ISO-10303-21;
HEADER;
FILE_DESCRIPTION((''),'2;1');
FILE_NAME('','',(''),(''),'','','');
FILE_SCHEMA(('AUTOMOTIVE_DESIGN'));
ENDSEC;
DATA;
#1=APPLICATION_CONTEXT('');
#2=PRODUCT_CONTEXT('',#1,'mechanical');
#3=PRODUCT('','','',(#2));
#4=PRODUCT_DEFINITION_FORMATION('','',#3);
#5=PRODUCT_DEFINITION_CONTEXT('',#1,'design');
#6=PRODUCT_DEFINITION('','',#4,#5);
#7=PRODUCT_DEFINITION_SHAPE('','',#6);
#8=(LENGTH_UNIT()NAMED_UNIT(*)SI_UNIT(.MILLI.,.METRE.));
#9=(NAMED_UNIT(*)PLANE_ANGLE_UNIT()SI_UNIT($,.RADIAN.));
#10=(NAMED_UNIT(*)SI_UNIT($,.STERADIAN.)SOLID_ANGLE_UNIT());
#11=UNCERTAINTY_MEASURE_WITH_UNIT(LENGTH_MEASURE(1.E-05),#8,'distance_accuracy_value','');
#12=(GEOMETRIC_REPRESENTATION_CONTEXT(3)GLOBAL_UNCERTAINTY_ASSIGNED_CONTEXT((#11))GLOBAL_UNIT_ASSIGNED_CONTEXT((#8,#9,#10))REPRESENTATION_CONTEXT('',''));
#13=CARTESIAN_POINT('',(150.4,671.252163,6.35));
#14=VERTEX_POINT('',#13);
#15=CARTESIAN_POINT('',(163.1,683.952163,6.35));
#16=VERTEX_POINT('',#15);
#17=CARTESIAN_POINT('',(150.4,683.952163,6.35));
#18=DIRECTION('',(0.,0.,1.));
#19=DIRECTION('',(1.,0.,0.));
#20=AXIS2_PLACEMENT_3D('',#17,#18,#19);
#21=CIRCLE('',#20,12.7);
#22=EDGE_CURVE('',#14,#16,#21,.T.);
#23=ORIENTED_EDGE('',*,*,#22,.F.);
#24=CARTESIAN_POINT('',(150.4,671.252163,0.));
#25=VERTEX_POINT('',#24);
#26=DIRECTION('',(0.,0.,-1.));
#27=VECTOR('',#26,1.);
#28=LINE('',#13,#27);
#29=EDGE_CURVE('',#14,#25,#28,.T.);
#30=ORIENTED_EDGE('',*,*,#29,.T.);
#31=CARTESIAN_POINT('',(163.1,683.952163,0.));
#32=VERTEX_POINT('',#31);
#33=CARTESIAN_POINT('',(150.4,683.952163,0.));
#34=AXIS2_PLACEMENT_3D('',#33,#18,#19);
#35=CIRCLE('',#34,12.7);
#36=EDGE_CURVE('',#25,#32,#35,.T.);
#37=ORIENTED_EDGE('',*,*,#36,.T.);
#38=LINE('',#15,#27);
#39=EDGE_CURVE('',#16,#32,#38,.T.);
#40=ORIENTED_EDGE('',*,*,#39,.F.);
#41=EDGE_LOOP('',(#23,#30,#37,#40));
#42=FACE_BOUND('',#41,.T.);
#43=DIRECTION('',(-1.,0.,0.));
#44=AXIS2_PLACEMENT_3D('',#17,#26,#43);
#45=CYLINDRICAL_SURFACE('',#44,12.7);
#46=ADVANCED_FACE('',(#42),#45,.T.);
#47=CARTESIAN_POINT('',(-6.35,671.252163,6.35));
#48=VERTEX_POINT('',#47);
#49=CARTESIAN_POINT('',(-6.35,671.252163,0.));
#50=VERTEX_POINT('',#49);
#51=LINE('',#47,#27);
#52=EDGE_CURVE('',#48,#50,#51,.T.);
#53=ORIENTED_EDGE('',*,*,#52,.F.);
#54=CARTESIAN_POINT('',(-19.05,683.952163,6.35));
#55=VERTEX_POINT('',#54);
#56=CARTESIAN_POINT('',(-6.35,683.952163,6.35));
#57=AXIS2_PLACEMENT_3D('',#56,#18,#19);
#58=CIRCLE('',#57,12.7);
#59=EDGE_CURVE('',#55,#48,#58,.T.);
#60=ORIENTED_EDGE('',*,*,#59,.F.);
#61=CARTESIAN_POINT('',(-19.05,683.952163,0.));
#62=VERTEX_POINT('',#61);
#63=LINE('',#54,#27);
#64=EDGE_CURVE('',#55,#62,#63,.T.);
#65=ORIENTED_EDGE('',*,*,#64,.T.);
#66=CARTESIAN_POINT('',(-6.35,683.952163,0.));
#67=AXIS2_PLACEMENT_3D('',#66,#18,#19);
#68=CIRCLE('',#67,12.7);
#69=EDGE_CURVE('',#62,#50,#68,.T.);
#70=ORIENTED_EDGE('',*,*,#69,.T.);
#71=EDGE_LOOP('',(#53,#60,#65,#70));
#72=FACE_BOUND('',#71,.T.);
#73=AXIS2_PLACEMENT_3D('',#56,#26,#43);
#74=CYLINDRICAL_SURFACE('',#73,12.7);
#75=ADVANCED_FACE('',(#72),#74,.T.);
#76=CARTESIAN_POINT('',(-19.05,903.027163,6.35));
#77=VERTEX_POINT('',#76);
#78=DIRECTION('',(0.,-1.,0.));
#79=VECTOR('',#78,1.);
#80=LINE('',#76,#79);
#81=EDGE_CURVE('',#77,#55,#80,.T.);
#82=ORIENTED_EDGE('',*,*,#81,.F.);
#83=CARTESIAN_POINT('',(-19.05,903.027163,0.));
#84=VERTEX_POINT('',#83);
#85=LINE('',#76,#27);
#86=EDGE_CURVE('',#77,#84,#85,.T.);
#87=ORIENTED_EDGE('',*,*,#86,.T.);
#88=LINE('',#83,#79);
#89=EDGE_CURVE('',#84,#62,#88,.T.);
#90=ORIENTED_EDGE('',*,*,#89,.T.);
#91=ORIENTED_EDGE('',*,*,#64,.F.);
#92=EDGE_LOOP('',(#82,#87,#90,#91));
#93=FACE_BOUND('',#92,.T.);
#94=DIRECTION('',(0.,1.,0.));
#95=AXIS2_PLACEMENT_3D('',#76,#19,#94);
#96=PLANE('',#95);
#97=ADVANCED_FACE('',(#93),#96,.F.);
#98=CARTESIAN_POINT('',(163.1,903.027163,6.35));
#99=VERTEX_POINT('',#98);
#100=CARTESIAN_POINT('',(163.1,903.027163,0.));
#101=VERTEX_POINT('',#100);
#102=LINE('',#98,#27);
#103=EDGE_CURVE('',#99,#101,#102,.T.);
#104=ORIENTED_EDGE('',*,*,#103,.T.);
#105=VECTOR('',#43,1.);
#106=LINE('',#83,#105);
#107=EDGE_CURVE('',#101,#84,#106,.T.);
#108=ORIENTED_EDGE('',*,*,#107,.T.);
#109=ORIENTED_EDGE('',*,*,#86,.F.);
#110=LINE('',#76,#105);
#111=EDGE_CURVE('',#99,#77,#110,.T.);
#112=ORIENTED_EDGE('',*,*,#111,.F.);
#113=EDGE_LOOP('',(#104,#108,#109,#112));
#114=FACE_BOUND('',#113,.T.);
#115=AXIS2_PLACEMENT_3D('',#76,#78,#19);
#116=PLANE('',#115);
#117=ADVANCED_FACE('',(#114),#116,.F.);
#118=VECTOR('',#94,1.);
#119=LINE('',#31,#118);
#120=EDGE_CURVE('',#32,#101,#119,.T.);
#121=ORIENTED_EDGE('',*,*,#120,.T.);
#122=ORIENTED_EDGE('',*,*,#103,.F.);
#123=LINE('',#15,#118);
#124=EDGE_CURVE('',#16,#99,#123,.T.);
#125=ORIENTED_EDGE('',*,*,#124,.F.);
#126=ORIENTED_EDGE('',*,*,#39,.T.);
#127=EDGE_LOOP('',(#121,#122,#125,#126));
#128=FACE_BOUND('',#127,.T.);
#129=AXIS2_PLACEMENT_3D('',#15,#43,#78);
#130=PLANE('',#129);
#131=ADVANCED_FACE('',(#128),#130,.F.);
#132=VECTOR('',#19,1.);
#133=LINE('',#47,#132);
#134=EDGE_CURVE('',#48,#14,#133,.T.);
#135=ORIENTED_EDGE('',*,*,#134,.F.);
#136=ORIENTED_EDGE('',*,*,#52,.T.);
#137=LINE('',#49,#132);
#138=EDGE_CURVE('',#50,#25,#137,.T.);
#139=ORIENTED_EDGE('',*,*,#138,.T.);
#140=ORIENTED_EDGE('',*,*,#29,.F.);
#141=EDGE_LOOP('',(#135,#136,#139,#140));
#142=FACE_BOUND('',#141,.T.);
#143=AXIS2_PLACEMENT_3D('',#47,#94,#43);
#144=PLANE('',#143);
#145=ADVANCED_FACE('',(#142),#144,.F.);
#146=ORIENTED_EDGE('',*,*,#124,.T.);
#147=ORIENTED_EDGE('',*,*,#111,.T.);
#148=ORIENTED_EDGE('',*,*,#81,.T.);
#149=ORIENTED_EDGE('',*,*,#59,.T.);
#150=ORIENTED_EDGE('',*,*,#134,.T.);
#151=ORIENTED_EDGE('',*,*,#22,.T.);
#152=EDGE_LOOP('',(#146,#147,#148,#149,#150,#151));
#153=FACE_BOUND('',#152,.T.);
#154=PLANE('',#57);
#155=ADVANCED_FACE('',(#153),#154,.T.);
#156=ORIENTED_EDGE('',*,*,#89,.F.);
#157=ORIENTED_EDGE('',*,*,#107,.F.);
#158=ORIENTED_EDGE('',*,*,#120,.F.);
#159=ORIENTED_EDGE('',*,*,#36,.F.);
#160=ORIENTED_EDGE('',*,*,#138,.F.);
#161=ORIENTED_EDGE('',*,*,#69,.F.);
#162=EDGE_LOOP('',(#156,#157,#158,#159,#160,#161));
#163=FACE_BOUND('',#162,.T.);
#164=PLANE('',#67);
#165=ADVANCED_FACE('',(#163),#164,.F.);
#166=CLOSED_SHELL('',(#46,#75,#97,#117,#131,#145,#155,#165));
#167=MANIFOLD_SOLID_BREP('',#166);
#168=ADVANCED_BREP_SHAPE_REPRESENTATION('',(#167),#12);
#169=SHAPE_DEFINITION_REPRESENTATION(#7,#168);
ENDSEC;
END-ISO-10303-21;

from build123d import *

# Parameters (mm, degrees)
BOSS_EXTRUDE1_DEPTH = 6.35


with BuildPart() as part:
    # Sketch1 → Boss-Extrude1 (new body)
    with BuildSketch(Plane.XY):
        with BuildLine():
            Line((-19.05, 903.02716301), (163.099999994, 903.02716301))
            Line((163.099999994, 903.02716301), (163.099999994, 683.95216301))
            ThreePointArc((163.099999994, 683.95216301), (159.380256115, 674.971906889), (150.399999994, 671.25216301))
            Line((150.399999994, 671.25216301), (-6.35, 671.25216301))
            ThreePointArc((-6.35, 671.25216301), (-15.330256121, 674.971906889), (-19.05, 683.95216301))
            Line((-19.05, 683.95216301), (-19.05, 903.02716301))
        make_face()
    extrude(amount=BOSS_EXTRUDE1_DEPTH)


solid = part.part
